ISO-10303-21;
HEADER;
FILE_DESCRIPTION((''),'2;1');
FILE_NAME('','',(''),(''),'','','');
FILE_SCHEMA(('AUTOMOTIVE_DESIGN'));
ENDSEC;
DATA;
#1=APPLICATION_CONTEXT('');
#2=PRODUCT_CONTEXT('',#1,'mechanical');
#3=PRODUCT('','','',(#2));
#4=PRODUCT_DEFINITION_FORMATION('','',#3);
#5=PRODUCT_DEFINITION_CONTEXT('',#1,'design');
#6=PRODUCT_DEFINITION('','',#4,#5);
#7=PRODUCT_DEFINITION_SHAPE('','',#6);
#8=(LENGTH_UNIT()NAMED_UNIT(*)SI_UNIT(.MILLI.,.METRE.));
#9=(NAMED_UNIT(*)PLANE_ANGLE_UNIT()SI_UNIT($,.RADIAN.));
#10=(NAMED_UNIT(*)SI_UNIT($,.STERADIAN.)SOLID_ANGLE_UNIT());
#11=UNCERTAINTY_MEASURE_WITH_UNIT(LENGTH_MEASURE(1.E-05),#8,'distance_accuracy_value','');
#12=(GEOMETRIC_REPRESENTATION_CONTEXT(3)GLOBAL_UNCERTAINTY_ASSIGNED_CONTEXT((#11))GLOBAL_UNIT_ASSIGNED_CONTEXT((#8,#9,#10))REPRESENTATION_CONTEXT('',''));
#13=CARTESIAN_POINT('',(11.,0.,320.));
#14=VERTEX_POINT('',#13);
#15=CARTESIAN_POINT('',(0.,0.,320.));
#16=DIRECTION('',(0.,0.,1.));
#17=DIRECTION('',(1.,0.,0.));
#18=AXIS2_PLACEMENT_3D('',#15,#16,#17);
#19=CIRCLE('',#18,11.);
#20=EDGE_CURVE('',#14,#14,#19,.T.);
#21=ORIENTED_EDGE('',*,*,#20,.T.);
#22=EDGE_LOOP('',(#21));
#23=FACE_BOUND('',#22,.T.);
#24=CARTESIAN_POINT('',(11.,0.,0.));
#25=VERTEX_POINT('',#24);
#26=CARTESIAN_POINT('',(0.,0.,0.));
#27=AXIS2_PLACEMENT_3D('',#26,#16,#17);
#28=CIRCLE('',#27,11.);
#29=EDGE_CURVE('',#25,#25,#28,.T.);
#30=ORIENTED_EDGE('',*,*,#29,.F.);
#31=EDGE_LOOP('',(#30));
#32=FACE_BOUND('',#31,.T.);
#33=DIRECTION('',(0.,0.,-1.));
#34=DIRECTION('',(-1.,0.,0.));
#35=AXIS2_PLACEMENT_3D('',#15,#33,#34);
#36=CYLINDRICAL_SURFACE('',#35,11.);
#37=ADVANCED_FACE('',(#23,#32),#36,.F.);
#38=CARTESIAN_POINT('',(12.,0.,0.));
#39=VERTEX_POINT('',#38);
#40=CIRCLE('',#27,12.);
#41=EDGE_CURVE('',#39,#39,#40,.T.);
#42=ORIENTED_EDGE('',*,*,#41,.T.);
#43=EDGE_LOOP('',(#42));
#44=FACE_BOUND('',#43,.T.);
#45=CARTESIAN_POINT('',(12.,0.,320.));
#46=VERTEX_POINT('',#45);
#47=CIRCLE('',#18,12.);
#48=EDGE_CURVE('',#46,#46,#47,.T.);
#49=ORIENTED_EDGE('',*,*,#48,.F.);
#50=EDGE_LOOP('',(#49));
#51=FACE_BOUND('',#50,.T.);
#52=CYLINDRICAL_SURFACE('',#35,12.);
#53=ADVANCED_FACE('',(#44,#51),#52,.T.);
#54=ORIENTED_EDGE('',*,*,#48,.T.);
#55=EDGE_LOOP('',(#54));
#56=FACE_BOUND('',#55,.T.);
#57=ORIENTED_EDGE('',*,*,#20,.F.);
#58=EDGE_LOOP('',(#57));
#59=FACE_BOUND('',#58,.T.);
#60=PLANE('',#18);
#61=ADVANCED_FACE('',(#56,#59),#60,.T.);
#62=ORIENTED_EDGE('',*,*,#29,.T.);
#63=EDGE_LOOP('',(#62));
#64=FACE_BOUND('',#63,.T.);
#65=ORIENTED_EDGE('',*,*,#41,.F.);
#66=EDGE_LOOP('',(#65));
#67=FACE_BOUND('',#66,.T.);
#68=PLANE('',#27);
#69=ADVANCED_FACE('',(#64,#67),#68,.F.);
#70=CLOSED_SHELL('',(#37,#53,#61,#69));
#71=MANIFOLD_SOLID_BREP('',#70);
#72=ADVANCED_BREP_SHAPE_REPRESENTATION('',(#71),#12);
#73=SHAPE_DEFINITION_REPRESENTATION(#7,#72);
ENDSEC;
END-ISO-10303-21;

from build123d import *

# Parameters (mm, degrees)
IZIM1_R                     = 12
IZIM1_R_2                   = 11
Y_KSEKLIK_EKSTR_ZYON1_DEPTH = 320


with BuildPart() as part:
    # Çizim1 → Yükseklik-Ekstrüzyon1 (new body)
    with BuildSketch(Plane.XY):
        Circle(IZIM1_R)
        Circle(IZIM1_R_2, mode=Mode.SUBTRACT)
    extrude(amount=Y_KSEKLIK_EKSTR_ZYON1_DEPTH)


solid = part.part
